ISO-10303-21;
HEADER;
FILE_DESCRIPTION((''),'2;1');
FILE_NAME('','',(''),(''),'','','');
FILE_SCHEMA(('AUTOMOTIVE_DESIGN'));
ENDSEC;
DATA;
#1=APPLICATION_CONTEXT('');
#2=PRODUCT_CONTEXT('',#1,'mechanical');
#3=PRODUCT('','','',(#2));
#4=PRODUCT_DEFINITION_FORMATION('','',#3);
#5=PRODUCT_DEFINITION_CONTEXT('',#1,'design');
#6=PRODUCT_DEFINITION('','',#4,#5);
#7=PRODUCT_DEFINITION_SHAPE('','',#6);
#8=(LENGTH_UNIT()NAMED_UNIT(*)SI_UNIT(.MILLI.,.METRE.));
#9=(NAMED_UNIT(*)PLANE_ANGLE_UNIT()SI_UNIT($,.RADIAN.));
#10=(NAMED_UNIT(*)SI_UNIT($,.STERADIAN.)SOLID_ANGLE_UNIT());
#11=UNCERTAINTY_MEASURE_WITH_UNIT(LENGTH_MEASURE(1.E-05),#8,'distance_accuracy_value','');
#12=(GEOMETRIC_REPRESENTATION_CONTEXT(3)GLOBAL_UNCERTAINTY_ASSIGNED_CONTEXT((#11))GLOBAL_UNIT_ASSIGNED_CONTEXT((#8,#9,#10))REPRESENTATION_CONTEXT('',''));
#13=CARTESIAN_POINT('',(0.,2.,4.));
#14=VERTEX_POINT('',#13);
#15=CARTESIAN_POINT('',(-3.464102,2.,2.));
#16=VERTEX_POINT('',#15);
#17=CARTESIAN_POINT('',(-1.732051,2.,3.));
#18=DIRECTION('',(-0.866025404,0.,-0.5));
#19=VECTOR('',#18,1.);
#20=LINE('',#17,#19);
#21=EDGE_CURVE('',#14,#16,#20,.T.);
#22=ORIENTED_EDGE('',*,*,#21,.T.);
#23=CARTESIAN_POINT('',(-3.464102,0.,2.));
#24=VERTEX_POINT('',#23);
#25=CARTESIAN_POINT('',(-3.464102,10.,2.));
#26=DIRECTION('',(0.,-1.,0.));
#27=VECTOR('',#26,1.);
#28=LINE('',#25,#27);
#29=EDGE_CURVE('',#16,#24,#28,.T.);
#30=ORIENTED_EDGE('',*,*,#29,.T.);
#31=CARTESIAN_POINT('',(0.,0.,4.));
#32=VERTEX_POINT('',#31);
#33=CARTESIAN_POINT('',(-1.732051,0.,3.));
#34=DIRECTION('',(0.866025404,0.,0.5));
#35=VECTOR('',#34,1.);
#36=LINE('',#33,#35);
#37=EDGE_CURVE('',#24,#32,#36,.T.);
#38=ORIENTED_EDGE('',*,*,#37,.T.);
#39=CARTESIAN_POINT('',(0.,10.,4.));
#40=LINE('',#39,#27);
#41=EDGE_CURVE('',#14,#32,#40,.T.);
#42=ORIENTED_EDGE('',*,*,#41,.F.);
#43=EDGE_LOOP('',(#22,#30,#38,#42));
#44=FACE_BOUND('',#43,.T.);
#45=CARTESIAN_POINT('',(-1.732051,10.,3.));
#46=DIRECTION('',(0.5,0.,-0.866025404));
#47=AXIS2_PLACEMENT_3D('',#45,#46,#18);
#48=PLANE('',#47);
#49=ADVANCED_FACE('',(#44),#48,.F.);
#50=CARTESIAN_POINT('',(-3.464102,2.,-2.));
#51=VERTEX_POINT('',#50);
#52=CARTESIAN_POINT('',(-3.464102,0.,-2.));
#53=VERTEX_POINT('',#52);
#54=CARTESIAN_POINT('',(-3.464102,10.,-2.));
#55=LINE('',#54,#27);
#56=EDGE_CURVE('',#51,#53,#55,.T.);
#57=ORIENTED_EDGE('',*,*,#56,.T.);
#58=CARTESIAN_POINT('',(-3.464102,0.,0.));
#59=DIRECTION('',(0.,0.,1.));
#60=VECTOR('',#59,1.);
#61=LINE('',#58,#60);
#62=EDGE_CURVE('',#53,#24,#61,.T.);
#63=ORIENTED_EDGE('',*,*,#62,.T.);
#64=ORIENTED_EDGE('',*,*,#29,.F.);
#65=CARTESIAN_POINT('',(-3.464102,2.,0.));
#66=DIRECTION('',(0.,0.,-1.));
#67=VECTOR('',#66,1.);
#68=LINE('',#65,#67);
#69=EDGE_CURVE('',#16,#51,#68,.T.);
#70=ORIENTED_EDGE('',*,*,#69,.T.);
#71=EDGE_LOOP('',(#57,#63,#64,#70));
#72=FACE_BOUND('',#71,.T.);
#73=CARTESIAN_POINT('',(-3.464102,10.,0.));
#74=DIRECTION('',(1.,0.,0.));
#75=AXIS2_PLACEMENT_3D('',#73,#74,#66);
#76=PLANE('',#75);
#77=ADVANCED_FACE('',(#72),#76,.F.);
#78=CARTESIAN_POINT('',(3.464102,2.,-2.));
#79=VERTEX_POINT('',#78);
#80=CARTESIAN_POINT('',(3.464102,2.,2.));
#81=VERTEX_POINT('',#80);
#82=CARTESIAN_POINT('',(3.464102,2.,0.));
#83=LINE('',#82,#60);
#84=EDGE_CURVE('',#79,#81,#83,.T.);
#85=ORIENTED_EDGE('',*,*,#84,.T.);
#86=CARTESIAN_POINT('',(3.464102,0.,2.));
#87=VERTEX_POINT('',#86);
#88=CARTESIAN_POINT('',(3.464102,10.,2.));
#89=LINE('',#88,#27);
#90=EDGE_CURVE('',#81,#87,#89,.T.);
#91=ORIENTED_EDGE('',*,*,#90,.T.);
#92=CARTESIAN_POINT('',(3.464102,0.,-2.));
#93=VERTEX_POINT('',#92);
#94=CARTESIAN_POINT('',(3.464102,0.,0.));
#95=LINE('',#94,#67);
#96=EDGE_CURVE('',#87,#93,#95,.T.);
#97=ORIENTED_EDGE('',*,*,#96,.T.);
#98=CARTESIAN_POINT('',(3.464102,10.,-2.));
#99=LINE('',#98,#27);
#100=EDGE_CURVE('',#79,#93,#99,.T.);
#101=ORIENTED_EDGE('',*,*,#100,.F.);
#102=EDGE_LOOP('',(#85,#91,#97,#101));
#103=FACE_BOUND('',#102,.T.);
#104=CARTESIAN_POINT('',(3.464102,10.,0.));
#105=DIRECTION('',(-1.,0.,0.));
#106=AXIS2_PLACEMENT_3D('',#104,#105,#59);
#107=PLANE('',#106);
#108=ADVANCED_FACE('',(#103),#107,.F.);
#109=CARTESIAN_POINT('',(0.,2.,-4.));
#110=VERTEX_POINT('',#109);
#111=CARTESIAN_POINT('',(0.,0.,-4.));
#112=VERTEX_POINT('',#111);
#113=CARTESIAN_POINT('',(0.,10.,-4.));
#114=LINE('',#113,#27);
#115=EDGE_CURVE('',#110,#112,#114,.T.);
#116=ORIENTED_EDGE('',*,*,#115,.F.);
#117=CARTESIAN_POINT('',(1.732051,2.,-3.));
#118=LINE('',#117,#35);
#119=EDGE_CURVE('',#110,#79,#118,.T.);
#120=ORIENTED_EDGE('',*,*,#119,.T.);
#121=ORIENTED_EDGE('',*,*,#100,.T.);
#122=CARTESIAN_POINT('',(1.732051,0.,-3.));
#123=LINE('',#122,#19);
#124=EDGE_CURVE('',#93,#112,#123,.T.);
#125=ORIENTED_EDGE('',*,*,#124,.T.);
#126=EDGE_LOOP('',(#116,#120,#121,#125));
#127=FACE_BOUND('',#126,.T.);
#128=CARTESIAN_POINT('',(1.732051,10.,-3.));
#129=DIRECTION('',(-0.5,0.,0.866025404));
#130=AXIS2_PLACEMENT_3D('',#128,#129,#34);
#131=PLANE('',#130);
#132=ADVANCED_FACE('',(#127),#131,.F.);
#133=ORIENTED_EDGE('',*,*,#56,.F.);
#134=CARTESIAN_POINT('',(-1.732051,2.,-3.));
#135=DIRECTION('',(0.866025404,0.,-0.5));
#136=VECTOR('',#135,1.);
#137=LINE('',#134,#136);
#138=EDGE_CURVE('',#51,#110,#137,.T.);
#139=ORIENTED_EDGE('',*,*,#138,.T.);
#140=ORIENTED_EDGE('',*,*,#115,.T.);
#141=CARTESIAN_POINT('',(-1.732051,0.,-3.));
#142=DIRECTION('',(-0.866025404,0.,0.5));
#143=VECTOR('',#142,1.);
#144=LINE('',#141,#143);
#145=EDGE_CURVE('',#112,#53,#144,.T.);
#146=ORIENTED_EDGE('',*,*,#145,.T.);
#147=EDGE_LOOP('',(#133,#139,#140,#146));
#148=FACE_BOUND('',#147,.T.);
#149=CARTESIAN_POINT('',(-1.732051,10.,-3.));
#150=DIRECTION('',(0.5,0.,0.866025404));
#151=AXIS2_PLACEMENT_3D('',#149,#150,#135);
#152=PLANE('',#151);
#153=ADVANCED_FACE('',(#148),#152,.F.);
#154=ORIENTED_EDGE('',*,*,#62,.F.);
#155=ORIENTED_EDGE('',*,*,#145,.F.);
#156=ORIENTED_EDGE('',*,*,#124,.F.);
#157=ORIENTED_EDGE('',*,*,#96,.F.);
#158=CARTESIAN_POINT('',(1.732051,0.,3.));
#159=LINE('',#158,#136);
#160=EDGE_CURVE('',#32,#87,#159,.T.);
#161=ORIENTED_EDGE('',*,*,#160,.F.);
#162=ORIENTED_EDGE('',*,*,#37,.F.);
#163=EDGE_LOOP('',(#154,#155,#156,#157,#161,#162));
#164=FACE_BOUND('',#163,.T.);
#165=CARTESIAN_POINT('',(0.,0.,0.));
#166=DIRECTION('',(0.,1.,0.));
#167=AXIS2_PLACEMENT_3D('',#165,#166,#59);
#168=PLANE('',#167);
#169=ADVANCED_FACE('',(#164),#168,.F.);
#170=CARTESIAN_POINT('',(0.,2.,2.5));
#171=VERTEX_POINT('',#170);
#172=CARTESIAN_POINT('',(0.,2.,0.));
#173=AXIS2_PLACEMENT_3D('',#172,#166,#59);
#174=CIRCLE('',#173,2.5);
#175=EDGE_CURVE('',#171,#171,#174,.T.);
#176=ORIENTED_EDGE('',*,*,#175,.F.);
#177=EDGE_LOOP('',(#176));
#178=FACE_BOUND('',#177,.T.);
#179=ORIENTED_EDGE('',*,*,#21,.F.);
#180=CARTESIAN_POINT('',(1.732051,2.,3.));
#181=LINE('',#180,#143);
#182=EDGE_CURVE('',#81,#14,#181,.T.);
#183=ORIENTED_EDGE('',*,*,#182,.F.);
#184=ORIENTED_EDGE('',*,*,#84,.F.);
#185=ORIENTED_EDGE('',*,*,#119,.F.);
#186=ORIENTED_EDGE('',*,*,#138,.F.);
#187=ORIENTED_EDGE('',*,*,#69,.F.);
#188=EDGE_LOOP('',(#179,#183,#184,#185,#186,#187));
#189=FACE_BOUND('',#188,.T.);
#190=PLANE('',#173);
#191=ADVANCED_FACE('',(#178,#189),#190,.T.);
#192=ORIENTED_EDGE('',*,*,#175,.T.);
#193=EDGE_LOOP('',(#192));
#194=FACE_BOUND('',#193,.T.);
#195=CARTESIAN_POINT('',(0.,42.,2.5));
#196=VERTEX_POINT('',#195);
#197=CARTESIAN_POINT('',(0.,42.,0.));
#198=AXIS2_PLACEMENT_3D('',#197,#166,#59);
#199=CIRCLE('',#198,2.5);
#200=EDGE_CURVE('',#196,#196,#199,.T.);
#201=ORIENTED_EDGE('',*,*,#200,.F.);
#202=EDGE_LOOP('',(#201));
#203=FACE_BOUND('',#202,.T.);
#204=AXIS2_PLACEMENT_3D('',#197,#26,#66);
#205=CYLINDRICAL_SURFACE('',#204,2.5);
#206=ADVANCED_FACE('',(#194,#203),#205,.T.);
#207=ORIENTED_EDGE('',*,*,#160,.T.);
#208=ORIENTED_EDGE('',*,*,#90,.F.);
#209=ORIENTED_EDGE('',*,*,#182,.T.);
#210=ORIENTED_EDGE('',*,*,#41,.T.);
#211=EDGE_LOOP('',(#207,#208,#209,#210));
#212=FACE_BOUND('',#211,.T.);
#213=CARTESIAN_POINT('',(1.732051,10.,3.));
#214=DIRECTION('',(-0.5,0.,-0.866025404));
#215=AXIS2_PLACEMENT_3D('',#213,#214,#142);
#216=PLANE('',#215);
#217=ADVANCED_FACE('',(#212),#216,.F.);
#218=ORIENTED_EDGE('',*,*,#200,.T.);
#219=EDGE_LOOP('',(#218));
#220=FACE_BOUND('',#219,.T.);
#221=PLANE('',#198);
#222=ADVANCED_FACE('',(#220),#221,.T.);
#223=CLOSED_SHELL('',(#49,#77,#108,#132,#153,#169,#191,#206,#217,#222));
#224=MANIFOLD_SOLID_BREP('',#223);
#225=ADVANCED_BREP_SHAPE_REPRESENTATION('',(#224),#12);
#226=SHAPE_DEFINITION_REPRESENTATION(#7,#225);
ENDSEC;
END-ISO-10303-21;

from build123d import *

# Parameters (mm, degrees)
SKETCH1_R           = 4
BOSS_EXTRUDE1_DEPTH = 2
SKETCH2_R           = 2.5
BOSS_EXTRUDE2_DEPTH = 40
SKETCH3_OUTSIDE_W   = 18.7
SKETCH3_OUTSIDE_H   = 18.7
CUT_EXTRUDE1_DEPTH  = 10


with BuildPart() as part:
    # Sketch1 → Boss-Extrude1 (new body)
    with BuildSketch(Plane(origin=(0, 0, 0), x_dir=(1, 0, 0), z_dir=(0, 1, 0))):
        Circle(SKETCH1_R)
    extrude(amount=BOSS_EXTRUDE1_DEPTH)

    # Sketch2 → Boss-Extrude2 (add)
    with BuildSketch(Plane(origin=(0, 2, 0), x_dir=(1, 0, 0), z_dir=(0, 1, 0))):
        Circle(SKETCH2_R)
    extrude(amount=BOSS_EXTRUDE2_DEPTH)

    # Sketch3 outside → Cut-Extrude1 (cut)
    with BuildSketch(Plane(origin=(0, 0, 0), x_dir=(-1, 0, 0), z_dir=(0, -1, 0))):
        Rectangle(SKETCH3_OUTSIDE_W, SKETCH3_OUTSIDE_H)
        Polygon((0, 4), (3.464101615, 2), (3.464101615, -2), (0, -4), (-3.464101615, -2), (-3.464101615, 2), align=None, mode=Mode.SUBTRACT)
    extrude(amount=-CUT_EXTRUDE1_DEPTH, mode=Mode.SUBTRACT)


solid = part.part
